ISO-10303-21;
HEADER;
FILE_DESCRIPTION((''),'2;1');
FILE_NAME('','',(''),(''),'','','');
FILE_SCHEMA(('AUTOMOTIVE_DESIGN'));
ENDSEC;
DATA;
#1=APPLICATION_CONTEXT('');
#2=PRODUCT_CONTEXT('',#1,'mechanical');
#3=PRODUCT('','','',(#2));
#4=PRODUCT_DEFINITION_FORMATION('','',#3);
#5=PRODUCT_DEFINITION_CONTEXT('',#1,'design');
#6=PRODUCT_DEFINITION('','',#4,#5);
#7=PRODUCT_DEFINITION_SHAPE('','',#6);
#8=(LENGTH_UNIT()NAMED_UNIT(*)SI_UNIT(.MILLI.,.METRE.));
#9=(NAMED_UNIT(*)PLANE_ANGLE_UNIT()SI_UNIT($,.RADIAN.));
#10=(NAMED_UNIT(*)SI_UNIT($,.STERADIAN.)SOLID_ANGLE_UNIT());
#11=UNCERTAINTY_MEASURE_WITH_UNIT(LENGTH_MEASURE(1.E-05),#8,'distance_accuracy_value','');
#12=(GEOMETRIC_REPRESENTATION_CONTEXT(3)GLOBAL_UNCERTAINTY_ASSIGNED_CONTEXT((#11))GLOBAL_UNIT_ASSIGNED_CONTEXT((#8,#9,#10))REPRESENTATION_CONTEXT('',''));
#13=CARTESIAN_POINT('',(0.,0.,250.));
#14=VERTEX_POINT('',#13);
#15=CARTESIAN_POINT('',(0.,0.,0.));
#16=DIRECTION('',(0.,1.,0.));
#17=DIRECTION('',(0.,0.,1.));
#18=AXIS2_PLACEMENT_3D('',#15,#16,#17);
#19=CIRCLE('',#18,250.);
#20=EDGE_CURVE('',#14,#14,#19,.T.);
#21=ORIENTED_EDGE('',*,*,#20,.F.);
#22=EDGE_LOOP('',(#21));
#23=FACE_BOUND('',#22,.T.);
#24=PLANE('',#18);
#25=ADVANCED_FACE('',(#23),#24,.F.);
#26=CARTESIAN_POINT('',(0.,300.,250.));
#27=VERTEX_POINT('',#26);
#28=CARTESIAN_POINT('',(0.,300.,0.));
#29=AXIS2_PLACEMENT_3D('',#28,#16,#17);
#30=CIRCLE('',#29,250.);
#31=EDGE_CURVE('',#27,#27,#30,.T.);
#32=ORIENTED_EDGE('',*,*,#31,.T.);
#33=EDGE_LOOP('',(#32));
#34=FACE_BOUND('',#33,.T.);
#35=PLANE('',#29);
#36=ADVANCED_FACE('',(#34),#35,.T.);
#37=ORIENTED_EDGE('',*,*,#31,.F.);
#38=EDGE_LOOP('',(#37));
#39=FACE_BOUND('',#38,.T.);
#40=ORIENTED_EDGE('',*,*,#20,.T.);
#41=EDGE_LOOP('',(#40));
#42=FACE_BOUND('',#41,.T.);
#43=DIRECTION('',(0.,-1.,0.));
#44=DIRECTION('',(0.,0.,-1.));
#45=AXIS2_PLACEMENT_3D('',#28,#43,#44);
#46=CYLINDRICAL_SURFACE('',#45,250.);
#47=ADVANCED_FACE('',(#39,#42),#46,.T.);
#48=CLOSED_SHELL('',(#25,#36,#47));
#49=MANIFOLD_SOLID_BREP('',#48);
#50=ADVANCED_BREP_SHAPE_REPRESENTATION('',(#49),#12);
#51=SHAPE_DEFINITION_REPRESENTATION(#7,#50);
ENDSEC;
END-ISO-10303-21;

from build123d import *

# Parameters (mm, degrees)
SKIZZE2_R                       = 250
AUFSATZ_LINEAR_AUSTRAGEN1_DEPTH = 300


with BuildPart() as part:
    # Skizze2 → Aufsatz-Linear austragen1 (new body)
    with BuildSketch(Plane(origin=(0, 0, 0), x_dir=(1, 0, 0), z_dir=(0, 1, 0))):
        with Locations(Location((0, 0, 0), (0, 0, 270))):
            Circle(SKIZZE2_R)
    extrude(amount=AUFSATZ_LINEAR_AUSTRAGEN1_DEPTH)


solid = part.part
